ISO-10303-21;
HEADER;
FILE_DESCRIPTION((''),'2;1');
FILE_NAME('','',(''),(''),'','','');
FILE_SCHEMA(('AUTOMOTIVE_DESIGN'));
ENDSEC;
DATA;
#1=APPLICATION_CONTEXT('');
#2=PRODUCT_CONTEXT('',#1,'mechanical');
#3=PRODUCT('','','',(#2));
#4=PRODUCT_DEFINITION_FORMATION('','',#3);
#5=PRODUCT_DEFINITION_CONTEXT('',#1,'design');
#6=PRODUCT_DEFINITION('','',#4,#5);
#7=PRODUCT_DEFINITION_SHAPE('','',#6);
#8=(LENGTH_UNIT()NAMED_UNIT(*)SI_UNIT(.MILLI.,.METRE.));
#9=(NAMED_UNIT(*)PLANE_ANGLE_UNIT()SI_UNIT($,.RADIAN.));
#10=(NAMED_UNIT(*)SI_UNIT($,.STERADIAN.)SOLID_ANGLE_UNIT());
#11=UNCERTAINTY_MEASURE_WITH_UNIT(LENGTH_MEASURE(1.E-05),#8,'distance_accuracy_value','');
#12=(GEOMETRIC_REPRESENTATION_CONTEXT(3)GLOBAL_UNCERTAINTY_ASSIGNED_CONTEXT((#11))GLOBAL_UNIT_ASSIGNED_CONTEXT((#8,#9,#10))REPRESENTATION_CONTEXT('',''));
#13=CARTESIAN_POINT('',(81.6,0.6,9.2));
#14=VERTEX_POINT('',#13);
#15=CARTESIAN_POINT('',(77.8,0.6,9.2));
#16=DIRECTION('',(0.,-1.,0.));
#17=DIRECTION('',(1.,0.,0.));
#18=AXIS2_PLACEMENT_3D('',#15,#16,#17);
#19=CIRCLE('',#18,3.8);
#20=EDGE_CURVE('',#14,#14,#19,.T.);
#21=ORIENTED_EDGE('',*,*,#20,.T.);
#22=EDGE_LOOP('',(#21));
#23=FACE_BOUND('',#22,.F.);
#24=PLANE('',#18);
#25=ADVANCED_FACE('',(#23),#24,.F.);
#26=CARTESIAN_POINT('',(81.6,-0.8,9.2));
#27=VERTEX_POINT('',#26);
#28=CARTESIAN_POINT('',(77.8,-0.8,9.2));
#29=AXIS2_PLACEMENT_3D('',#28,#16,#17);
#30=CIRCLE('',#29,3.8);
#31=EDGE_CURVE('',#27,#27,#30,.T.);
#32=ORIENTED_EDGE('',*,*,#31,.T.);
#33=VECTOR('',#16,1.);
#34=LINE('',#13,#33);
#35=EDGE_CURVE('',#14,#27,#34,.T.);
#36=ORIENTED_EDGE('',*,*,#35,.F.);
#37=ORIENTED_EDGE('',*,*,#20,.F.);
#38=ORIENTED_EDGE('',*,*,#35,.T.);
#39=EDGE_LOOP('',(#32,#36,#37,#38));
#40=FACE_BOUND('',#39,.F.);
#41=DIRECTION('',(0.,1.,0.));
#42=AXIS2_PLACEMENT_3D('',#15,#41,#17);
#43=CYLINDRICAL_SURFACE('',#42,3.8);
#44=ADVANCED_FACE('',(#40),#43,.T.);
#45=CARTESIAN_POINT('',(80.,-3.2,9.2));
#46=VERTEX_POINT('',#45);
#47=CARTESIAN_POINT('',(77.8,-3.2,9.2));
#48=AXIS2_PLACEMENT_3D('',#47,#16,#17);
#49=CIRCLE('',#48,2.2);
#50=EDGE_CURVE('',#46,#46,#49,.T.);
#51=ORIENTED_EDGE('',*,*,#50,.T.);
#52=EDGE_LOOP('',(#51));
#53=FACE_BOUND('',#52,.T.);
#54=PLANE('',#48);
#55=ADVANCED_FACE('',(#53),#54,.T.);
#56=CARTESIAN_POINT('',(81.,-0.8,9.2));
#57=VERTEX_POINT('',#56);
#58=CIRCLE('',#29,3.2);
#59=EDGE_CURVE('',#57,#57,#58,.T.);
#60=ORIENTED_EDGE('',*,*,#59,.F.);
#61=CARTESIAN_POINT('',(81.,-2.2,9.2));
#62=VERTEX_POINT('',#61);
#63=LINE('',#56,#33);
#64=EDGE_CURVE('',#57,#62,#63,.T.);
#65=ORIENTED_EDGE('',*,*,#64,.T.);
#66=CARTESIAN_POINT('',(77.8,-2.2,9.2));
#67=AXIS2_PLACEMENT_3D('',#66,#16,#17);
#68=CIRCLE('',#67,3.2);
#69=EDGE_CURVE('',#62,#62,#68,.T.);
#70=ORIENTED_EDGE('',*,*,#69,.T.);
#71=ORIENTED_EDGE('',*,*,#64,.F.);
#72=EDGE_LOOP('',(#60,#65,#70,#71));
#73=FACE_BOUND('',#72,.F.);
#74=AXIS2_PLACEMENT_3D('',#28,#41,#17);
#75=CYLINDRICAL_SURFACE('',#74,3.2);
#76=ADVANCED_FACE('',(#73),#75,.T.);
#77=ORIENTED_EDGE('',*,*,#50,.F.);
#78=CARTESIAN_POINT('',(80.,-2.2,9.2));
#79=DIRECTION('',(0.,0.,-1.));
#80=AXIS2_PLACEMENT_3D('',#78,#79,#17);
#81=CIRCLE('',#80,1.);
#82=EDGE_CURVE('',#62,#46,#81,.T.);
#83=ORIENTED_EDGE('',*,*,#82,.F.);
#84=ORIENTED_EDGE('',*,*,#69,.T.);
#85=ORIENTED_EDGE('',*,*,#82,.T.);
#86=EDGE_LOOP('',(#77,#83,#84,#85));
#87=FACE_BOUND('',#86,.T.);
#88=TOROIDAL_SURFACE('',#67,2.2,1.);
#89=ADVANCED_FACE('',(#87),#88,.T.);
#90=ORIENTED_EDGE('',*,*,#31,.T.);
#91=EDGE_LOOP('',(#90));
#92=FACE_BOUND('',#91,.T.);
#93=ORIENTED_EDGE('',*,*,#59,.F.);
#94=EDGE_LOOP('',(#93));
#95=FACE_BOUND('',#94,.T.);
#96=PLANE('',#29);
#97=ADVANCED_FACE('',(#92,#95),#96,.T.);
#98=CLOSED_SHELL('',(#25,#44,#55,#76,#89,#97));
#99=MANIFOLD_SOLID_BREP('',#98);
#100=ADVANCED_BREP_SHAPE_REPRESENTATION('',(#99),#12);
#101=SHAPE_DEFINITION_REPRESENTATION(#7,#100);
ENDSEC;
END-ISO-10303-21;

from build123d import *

# Parameters (mm, degrees)
SKETCH043_R  = 3.8
PAD017_DEPTH = 1.4
SKETCH044_R  = 3.2
PAD018_DEPTH = 2.4
FILLET017_R  = 1


with BuildPart() as part:
    # Sketch043 → Pad017 (new body)
    with BuildSketch(Plane.XZ):
        with Locations((28.8, 9.2)):
            Circle(SKETCH043_R)
    extrude(amount=PAD017_DEPTH)

    # Sketch044 (on Face3 of Pad017) → Pad018 (join)
    with BuildSketch(Plane.XZ.offset(1.4)):
        with Locations((28.8, 9.2)):
            Circle(SKETCH044_R)
    extrude(amount=PAD018_DEPTH)

    # Fillet017
    fillet017_edges = [part.edges().sort_by_distance(p)[0] for p in [
        (25.6, -3.8, 9.2),
    ]]
    fillet(fillet017_edges, radius=FILLET017_R)


with BuildPart() as part_1:
    # Body005 placement: moved
    add(part.part.moved(Location((49, 0.6, 0))))


solid = part_1.part
